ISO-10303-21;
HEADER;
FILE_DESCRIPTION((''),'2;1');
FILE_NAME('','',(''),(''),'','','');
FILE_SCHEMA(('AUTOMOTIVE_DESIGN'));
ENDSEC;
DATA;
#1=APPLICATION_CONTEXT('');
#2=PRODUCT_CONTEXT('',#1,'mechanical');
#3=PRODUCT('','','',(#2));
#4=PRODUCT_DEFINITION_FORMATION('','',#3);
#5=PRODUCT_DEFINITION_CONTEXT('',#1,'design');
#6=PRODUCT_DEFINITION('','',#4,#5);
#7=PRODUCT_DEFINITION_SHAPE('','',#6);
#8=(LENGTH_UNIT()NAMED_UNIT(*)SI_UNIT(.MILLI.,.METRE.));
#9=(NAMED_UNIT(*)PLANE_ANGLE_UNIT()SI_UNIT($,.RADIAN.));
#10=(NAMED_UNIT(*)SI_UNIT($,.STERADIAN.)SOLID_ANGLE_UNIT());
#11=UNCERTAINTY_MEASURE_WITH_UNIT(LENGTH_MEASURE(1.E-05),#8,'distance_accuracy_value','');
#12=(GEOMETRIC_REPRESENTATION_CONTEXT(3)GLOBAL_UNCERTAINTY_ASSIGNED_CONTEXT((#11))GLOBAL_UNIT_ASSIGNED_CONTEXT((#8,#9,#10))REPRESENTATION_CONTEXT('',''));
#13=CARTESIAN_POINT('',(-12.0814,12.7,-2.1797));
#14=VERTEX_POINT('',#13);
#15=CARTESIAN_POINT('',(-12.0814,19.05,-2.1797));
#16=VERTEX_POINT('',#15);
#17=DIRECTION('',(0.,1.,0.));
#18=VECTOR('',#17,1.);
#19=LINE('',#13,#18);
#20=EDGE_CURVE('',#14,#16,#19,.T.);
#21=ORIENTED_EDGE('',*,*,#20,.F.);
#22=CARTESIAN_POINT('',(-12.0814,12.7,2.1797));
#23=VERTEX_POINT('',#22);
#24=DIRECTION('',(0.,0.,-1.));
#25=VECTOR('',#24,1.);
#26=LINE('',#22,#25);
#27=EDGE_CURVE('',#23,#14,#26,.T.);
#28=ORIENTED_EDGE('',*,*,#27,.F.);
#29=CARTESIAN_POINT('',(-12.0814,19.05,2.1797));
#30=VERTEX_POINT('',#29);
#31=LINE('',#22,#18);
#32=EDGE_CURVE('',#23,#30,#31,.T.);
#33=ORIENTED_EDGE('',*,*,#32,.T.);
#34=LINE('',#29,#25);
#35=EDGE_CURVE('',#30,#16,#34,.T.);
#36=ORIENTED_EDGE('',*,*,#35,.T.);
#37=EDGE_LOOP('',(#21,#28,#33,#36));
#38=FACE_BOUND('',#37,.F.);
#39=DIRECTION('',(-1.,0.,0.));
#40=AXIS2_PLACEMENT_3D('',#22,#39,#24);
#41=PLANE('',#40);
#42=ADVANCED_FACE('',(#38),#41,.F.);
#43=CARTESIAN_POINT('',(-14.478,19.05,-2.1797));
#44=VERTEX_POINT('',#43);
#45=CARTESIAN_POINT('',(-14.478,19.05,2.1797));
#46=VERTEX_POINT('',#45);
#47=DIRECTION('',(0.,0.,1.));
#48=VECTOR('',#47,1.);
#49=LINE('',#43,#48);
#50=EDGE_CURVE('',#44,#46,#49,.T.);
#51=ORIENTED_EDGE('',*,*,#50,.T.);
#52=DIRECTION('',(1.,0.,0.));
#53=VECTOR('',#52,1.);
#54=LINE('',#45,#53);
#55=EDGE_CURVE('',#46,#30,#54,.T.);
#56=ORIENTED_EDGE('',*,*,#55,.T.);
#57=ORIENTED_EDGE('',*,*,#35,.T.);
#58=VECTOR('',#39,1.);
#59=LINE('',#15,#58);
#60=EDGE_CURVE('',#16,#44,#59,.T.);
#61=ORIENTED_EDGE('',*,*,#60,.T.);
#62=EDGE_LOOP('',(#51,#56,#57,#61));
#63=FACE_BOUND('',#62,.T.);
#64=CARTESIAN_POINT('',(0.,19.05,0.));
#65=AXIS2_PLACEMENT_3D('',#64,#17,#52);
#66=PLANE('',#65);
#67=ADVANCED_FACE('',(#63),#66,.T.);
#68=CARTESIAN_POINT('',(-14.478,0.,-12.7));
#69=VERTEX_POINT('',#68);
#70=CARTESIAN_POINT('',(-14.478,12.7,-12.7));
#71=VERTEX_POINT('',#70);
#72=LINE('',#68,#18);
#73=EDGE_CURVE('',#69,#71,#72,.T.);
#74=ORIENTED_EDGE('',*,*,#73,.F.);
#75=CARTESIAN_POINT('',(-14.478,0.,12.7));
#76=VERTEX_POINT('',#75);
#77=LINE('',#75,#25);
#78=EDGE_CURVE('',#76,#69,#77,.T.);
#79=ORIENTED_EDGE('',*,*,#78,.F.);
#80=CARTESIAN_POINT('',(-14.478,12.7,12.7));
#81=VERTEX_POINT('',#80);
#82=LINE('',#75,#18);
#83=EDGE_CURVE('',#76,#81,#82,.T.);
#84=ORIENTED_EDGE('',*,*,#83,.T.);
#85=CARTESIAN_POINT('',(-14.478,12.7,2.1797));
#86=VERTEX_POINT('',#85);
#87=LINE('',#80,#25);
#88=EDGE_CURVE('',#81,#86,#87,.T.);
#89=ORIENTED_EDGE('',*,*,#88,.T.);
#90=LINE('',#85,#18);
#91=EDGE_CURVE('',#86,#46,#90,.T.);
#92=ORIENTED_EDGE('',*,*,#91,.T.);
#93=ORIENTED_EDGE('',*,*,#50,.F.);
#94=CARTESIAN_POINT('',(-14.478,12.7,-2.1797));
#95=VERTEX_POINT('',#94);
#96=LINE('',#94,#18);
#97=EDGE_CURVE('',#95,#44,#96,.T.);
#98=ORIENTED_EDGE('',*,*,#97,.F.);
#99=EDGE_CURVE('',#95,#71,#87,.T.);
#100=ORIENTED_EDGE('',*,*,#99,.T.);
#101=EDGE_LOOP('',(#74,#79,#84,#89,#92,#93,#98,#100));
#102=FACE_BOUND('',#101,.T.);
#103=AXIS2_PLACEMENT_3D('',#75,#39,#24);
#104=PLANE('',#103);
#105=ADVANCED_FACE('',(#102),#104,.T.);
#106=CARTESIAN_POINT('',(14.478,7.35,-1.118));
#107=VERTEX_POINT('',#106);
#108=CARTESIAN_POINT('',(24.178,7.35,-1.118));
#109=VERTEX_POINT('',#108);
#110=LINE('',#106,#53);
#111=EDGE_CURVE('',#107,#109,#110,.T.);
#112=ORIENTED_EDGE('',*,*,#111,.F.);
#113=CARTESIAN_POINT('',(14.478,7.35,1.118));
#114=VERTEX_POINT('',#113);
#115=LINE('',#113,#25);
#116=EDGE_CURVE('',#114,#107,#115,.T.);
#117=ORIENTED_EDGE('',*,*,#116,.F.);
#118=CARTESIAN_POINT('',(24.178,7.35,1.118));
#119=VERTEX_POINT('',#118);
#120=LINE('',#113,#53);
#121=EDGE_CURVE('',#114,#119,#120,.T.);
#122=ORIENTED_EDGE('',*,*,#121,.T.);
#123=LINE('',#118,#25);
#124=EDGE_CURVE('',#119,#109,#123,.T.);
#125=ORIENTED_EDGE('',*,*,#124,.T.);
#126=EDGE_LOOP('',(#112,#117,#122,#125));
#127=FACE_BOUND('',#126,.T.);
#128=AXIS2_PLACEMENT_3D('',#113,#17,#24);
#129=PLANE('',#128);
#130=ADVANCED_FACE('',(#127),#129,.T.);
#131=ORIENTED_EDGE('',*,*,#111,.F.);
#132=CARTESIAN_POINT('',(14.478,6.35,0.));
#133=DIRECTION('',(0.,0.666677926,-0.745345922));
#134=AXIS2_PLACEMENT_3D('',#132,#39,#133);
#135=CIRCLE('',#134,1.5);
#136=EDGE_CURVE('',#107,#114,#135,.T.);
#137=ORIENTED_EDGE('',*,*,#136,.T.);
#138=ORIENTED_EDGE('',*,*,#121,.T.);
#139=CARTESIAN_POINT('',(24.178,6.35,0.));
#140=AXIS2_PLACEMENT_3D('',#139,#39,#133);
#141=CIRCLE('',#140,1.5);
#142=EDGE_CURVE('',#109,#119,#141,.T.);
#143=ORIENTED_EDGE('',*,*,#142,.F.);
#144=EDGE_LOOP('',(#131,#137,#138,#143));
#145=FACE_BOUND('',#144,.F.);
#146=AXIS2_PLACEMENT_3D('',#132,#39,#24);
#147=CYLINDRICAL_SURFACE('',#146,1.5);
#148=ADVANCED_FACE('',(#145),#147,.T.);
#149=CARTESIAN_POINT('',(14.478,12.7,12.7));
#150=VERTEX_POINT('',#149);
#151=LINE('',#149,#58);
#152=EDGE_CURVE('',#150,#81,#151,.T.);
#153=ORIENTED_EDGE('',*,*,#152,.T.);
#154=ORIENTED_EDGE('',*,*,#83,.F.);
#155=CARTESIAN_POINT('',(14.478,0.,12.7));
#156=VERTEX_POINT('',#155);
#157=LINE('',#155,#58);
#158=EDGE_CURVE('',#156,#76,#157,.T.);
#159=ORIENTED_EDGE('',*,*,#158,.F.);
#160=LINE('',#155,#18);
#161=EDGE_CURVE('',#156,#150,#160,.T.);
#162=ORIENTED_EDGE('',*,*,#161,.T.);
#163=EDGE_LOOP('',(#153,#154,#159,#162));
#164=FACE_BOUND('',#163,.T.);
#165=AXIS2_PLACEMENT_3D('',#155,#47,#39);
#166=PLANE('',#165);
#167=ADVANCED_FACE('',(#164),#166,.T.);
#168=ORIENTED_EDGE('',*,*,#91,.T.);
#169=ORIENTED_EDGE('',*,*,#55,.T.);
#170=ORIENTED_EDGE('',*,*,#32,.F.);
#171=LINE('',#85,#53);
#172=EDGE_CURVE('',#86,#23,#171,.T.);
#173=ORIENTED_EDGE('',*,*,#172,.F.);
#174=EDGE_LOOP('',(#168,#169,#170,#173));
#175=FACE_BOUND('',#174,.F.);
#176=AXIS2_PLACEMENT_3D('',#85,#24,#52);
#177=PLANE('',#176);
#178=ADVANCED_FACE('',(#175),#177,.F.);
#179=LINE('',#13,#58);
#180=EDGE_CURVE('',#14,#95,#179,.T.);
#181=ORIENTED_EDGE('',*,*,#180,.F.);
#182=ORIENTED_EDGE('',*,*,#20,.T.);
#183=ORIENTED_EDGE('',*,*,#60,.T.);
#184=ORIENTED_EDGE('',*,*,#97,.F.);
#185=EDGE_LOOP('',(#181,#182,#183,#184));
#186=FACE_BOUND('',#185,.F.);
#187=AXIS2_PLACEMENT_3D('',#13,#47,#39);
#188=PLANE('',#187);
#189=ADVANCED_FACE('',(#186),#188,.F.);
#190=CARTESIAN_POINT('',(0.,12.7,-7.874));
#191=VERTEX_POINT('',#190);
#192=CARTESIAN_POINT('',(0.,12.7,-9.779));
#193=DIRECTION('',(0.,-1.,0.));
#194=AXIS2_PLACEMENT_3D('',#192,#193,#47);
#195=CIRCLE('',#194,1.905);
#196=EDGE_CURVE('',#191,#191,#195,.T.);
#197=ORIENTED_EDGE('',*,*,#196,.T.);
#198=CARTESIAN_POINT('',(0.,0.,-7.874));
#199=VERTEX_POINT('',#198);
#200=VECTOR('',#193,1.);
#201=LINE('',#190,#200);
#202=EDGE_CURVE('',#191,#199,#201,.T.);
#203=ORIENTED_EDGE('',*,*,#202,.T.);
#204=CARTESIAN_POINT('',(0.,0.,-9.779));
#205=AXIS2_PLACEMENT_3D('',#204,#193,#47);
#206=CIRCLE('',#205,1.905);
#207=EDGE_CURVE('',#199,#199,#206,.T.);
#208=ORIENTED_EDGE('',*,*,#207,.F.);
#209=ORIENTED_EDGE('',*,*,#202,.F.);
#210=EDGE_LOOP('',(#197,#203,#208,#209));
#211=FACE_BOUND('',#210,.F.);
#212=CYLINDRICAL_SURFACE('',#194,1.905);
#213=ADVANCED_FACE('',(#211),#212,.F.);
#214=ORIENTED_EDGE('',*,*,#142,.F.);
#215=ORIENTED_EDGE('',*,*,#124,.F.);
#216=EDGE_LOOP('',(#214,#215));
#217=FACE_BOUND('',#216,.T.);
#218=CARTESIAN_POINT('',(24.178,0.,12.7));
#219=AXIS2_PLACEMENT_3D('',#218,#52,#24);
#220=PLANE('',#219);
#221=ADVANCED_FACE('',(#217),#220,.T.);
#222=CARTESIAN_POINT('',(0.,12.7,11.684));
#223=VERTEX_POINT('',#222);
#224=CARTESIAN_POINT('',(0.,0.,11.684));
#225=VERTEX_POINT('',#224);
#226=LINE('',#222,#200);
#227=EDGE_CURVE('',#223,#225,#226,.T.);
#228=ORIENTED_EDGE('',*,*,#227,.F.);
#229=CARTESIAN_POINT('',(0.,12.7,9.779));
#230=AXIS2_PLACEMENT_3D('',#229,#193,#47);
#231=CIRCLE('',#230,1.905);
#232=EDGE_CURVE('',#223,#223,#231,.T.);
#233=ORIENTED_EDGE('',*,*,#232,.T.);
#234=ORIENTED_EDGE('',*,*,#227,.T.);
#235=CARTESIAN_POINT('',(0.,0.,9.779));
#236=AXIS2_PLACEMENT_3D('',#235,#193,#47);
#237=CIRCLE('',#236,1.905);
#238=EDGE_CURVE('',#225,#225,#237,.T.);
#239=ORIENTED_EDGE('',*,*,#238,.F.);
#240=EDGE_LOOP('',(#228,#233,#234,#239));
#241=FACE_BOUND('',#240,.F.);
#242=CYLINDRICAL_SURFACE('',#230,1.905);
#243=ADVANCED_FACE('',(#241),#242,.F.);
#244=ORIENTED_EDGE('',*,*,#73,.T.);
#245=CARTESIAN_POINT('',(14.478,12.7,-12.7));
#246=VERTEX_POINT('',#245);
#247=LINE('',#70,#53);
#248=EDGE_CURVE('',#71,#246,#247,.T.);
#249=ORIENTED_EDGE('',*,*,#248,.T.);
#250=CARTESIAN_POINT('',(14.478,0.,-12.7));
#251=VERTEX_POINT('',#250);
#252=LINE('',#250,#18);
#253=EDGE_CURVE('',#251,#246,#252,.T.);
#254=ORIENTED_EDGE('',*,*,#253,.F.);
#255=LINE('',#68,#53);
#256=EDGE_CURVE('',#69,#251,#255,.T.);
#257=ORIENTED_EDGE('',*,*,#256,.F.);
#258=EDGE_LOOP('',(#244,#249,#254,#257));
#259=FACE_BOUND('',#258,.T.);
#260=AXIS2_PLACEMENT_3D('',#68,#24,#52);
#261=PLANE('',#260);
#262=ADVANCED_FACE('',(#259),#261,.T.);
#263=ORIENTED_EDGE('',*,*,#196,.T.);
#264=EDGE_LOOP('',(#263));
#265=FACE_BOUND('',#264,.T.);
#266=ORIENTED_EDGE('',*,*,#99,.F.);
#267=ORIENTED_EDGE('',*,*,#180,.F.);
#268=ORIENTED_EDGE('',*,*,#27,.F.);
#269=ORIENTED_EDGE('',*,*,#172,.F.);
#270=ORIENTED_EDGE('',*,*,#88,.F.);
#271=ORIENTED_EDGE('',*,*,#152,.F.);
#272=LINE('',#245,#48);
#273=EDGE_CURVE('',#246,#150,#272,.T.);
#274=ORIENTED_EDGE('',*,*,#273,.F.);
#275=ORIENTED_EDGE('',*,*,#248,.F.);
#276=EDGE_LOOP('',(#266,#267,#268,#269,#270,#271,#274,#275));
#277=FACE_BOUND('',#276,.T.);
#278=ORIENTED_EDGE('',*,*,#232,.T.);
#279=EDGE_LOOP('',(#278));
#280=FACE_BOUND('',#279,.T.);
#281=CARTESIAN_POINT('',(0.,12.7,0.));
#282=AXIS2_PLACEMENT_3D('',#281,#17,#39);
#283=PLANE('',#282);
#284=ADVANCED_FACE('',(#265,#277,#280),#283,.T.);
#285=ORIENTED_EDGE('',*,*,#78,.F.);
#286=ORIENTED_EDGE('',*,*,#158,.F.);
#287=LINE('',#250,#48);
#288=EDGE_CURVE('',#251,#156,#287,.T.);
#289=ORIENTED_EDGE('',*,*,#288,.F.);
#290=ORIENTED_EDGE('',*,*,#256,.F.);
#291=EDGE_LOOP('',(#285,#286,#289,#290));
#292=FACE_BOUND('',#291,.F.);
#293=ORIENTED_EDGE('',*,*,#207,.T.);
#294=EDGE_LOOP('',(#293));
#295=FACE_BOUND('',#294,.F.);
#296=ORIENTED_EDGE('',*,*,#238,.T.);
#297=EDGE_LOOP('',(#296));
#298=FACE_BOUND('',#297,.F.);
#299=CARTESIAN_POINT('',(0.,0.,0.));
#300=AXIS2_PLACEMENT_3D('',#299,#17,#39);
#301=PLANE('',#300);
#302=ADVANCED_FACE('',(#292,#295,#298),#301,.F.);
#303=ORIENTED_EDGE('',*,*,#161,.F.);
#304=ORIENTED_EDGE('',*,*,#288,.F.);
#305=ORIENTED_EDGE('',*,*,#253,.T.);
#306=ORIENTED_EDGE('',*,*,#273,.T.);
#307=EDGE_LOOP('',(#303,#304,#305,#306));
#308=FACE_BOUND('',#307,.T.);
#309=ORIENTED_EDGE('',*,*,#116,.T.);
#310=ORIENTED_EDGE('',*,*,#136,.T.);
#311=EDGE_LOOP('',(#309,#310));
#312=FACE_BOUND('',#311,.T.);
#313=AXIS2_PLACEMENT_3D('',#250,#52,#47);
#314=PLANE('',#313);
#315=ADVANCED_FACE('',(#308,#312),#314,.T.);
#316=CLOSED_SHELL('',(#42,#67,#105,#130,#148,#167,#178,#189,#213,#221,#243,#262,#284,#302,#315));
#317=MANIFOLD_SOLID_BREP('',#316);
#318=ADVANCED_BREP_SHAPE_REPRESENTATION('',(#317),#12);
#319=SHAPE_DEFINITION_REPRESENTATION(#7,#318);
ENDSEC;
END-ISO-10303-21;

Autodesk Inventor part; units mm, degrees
ref_plane "YZ Plane" through (0, 0, 0) normal (1, 0, 0) x (0, 1, 0)
ref_plane "XZ Plane" through (0, 0, 0) normal (0, 1, 0) x (-1, 0, 0)
ref_plane "XY Plane" through (0, 0, 0) normal (0, 0, 1) x (1, 0, 0)
sketch "Sketch1" plane through (0, 0, 0) normal (0, 1, 0) x (-1, 0, 0)
  line L0 (-14.478, 12.7) -> (14.478, 12.7)
  line L1 (14.478, 12.7) -> (14.478, -12.7)
  line L2 (14.478, -12.7) -> (-14.478, -12.7)
  line L3 (-14.478, -12.7) -> (-14.478, 12.7)
  line L4 (-14.478, 12.7) -> (14.478, -12.7) construction
  line L5 (14.478, 12.7) -> (-14.478, -12.7) construction
  point P0 (0, 0)
  dimension "d0" = 28.956
  dimension "d1" = 25.4
extrude "Extrusion1" add sketch "Sketch1" along normal blind 12.7
sketch "Sketch2" plane through (0, 12.7, 0) normal (0, 1, 0) x (1, 0, 0)
  point P0 (0, 0)
  point P1 (0, -9.779)
  point P2 (0, 9.779)
  dimension "d4" = 9.779
  dimension "d5" = 19.558
hole "Hole1" at (0, 12.7, 9.779) at (0, 12.7, -9.779) direction (0, -1, 0) diameter 3.81 end through all clearance for "Flat Head Machine Screw (82)" size "#6" standard "Ansi Unified Screw Threads"
sketch "Sketch3" plane through (14.478, 0, 12.7) normal (1, 0, 0) x (0, 0, -1)
  circle A0 centre (12.7, 6.35) radius 1.5
  line L0 (25.4, 0) -> (0, 0) projected
  line L1 (0, 12.7) -> (25.4, 12.7) projected
  line L2 (11.582, 7.35) -> (13.818, 7.35)
  point P0 (12.7, 0)
  point P1 (12.7, 0)
  dimension "d13" = 3
  dimension "d14" = 6.35
  dimension "d15" = 12.7
  dimension "d18" = 1
extrude "Extrusion3" add sketch "Sketch3" along normal blind 9.7 contours A0 L2 picked at (12.7594, 6.5202)
sketch "Sketch4" plane through (0, 12.7, 0) normal (0, 1, 0) x (1, 0, 0)
  line L0 (-14.478, -2.1797) -> (-12.0814, -2.1797)
  line L1 (-12.0814, -2.1797) -> (-12.0814, 2.1797)
  line L2 (-12.0814, 2.1797) -> (-14.478, 2.1797)
  line L3 (-14.478, 2.1797) -> (-14.478, -2.1797)
  line L4 (-14.478, -2.1797) -> (-12.0814, 2.1797) construction
  line L5 (-12.0814, -2.1797) -> (-14.478, 2.1797) construction
  line L6 (-14.478, 12.7) -> (-14.478, -12.7) projected
  point P0 (0, 0)
  point P1 (-13.2797, 0)
  point P2 (-13.2797, 0)
extrude "Extrusion4" add sketch "Sketch4" along normal blind 6.35
equation "\"d14\" = 0.5 * d15"
properties part number "MotorWithEnclosure" material "ABS Plastic"
